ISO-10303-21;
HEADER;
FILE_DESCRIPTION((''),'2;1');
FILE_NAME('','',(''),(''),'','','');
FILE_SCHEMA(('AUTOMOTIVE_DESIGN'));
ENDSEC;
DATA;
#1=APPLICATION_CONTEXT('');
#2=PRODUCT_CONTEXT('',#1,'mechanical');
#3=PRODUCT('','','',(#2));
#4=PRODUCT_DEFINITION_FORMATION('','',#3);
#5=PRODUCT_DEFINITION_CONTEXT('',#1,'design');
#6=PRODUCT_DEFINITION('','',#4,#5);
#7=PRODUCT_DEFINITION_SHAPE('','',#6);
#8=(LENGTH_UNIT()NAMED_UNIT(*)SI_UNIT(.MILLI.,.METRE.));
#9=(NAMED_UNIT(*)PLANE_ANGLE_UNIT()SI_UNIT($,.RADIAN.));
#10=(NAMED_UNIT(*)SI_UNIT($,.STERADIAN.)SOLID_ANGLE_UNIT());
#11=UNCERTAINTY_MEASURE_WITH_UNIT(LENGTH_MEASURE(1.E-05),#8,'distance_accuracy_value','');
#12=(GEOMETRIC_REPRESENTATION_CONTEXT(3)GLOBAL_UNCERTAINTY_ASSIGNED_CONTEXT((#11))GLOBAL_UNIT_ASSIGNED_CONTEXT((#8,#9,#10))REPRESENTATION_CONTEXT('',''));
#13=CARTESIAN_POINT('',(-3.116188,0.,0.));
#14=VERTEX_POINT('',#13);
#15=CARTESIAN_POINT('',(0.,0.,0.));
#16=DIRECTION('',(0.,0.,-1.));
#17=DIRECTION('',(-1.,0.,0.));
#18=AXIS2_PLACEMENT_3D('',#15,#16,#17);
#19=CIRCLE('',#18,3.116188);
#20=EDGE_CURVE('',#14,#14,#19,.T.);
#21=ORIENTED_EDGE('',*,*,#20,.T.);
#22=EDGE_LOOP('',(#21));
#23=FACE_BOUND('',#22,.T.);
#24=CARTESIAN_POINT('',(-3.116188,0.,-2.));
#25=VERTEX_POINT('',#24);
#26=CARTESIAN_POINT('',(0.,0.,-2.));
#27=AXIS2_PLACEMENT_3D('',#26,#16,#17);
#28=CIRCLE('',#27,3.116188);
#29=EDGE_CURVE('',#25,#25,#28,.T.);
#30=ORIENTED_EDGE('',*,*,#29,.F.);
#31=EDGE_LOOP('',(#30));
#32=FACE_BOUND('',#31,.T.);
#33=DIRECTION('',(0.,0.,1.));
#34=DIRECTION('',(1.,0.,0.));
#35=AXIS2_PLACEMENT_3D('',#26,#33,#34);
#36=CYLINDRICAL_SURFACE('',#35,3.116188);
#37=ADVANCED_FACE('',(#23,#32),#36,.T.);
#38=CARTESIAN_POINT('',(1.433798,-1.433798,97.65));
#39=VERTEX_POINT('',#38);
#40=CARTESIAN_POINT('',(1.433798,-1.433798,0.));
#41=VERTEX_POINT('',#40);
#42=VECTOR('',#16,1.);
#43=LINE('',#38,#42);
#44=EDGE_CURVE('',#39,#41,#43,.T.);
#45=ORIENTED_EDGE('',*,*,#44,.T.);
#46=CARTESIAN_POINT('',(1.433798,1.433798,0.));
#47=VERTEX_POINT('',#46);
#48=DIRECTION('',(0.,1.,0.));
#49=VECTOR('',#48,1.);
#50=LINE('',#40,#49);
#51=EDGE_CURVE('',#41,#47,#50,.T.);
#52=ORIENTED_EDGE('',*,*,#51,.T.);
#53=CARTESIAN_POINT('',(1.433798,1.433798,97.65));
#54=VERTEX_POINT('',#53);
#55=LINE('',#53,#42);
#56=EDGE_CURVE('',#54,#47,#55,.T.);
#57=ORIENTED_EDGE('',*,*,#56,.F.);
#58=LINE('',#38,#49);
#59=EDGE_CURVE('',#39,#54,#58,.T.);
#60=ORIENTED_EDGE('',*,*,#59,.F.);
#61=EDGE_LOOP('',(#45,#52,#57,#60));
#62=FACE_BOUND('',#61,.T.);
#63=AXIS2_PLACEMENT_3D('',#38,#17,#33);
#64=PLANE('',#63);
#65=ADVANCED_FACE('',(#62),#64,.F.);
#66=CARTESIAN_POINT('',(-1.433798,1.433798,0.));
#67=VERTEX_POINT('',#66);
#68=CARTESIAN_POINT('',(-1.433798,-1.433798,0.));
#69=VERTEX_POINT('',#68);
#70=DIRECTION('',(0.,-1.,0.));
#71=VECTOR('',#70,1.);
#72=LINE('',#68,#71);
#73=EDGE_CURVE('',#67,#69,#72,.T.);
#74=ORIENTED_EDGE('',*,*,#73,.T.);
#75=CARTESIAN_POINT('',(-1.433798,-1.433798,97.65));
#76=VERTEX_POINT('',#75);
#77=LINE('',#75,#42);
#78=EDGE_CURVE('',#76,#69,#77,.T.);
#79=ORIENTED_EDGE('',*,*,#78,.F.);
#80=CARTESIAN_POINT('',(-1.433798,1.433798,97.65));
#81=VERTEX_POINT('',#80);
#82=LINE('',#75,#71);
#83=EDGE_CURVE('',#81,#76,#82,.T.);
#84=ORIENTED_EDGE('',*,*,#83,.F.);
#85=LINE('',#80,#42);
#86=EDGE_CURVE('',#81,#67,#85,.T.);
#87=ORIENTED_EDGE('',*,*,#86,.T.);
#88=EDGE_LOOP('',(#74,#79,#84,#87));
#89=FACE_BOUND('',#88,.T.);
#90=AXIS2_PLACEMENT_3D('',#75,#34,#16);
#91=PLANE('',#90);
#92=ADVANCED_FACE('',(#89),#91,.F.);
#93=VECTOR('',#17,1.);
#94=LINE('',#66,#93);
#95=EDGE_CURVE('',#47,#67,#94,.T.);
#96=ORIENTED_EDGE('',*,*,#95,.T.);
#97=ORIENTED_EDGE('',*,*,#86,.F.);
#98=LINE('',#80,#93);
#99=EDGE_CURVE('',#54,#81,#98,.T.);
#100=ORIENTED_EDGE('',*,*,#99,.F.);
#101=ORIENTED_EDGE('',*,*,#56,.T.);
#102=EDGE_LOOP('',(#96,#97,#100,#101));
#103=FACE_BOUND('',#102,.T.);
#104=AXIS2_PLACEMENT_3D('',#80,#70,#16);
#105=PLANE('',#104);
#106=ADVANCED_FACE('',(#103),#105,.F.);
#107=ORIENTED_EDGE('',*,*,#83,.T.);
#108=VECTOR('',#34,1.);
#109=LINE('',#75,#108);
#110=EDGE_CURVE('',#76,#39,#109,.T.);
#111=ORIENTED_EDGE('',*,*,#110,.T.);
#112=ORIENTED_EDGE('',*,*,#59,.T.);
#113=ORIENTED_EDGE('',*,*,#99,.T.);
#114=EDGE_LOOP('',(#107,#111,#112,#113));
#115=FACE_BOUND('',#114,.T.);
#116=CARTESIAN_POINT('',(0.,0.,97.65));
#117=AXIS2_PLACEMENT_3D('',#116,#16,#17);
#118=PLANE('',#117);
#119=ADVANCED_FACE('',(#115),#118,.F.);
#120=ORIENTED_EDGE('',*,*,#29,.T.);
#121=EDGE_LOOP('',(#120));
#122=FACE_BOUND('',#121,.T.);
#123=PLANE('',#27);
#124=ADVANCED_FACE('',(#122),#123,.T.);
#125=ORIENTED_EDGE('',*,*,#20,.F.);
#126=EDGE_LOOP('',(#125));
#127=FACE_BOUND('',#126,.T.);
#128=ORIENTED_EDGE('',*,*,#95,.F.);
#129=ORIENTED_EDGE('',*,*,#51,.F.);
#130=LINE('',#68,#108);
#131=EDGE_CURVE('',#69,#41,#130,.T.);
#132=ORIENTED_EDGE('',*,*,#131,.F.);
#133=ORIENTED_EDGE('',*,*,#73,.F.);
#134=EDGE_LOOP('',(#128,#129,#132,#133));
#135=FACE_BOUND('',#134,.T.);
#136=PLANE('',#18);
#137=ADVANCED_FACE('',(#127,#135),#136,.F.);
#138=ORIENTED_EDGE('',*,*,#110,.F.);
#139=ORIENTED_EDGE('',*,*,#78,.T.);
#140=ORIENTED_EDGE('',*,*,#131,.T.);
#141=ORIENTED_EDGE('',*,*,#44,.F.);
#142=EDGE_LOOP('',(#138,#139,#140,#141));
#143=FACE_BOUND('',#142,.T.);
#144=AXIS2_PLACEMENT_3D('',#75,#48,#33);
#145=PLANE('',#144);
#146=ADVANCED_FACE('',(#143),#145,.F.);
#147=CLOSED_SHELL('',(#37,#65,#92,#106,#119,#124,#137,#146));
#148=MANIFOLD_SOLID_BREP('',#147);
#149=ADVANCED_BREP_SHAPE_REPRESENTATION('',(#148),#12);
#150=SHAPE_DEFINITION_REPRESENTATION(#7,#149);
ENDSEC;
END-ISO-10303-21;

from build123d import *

# Parameters (mm, degrees)
SKETCH1_W           = 2.86759605
SKETCH1_H           = 2.86759605
BOSS_EXTRUDE1_DEPTH = 97.650000052
SKETCH2_R           = 3.116187631
BOSS_EXTRUDE2_DEPTH = 2


with BuildPart() as part:
    # Sketch1 → Boss-Extrude1 (new body)
    with BuildSketch(Plane.XY):
        Rectangle(SKETCH1_W, SKETCH1_H)
    extrude(amount=BOSS_EXTRUDE1_DEPTH)

    # Sketch2 → Boss-Extrude2 (add)
    with BuildSketch(Plane(origin=(0, 0, 0), x_dir=(-1, 0, 0), z_dir=(0, 0, -1))):
        Circle(SKETCH2_R)
    extrude(amount=BOSS_EXTRUDE2_DEPTH)


solid = part.part
